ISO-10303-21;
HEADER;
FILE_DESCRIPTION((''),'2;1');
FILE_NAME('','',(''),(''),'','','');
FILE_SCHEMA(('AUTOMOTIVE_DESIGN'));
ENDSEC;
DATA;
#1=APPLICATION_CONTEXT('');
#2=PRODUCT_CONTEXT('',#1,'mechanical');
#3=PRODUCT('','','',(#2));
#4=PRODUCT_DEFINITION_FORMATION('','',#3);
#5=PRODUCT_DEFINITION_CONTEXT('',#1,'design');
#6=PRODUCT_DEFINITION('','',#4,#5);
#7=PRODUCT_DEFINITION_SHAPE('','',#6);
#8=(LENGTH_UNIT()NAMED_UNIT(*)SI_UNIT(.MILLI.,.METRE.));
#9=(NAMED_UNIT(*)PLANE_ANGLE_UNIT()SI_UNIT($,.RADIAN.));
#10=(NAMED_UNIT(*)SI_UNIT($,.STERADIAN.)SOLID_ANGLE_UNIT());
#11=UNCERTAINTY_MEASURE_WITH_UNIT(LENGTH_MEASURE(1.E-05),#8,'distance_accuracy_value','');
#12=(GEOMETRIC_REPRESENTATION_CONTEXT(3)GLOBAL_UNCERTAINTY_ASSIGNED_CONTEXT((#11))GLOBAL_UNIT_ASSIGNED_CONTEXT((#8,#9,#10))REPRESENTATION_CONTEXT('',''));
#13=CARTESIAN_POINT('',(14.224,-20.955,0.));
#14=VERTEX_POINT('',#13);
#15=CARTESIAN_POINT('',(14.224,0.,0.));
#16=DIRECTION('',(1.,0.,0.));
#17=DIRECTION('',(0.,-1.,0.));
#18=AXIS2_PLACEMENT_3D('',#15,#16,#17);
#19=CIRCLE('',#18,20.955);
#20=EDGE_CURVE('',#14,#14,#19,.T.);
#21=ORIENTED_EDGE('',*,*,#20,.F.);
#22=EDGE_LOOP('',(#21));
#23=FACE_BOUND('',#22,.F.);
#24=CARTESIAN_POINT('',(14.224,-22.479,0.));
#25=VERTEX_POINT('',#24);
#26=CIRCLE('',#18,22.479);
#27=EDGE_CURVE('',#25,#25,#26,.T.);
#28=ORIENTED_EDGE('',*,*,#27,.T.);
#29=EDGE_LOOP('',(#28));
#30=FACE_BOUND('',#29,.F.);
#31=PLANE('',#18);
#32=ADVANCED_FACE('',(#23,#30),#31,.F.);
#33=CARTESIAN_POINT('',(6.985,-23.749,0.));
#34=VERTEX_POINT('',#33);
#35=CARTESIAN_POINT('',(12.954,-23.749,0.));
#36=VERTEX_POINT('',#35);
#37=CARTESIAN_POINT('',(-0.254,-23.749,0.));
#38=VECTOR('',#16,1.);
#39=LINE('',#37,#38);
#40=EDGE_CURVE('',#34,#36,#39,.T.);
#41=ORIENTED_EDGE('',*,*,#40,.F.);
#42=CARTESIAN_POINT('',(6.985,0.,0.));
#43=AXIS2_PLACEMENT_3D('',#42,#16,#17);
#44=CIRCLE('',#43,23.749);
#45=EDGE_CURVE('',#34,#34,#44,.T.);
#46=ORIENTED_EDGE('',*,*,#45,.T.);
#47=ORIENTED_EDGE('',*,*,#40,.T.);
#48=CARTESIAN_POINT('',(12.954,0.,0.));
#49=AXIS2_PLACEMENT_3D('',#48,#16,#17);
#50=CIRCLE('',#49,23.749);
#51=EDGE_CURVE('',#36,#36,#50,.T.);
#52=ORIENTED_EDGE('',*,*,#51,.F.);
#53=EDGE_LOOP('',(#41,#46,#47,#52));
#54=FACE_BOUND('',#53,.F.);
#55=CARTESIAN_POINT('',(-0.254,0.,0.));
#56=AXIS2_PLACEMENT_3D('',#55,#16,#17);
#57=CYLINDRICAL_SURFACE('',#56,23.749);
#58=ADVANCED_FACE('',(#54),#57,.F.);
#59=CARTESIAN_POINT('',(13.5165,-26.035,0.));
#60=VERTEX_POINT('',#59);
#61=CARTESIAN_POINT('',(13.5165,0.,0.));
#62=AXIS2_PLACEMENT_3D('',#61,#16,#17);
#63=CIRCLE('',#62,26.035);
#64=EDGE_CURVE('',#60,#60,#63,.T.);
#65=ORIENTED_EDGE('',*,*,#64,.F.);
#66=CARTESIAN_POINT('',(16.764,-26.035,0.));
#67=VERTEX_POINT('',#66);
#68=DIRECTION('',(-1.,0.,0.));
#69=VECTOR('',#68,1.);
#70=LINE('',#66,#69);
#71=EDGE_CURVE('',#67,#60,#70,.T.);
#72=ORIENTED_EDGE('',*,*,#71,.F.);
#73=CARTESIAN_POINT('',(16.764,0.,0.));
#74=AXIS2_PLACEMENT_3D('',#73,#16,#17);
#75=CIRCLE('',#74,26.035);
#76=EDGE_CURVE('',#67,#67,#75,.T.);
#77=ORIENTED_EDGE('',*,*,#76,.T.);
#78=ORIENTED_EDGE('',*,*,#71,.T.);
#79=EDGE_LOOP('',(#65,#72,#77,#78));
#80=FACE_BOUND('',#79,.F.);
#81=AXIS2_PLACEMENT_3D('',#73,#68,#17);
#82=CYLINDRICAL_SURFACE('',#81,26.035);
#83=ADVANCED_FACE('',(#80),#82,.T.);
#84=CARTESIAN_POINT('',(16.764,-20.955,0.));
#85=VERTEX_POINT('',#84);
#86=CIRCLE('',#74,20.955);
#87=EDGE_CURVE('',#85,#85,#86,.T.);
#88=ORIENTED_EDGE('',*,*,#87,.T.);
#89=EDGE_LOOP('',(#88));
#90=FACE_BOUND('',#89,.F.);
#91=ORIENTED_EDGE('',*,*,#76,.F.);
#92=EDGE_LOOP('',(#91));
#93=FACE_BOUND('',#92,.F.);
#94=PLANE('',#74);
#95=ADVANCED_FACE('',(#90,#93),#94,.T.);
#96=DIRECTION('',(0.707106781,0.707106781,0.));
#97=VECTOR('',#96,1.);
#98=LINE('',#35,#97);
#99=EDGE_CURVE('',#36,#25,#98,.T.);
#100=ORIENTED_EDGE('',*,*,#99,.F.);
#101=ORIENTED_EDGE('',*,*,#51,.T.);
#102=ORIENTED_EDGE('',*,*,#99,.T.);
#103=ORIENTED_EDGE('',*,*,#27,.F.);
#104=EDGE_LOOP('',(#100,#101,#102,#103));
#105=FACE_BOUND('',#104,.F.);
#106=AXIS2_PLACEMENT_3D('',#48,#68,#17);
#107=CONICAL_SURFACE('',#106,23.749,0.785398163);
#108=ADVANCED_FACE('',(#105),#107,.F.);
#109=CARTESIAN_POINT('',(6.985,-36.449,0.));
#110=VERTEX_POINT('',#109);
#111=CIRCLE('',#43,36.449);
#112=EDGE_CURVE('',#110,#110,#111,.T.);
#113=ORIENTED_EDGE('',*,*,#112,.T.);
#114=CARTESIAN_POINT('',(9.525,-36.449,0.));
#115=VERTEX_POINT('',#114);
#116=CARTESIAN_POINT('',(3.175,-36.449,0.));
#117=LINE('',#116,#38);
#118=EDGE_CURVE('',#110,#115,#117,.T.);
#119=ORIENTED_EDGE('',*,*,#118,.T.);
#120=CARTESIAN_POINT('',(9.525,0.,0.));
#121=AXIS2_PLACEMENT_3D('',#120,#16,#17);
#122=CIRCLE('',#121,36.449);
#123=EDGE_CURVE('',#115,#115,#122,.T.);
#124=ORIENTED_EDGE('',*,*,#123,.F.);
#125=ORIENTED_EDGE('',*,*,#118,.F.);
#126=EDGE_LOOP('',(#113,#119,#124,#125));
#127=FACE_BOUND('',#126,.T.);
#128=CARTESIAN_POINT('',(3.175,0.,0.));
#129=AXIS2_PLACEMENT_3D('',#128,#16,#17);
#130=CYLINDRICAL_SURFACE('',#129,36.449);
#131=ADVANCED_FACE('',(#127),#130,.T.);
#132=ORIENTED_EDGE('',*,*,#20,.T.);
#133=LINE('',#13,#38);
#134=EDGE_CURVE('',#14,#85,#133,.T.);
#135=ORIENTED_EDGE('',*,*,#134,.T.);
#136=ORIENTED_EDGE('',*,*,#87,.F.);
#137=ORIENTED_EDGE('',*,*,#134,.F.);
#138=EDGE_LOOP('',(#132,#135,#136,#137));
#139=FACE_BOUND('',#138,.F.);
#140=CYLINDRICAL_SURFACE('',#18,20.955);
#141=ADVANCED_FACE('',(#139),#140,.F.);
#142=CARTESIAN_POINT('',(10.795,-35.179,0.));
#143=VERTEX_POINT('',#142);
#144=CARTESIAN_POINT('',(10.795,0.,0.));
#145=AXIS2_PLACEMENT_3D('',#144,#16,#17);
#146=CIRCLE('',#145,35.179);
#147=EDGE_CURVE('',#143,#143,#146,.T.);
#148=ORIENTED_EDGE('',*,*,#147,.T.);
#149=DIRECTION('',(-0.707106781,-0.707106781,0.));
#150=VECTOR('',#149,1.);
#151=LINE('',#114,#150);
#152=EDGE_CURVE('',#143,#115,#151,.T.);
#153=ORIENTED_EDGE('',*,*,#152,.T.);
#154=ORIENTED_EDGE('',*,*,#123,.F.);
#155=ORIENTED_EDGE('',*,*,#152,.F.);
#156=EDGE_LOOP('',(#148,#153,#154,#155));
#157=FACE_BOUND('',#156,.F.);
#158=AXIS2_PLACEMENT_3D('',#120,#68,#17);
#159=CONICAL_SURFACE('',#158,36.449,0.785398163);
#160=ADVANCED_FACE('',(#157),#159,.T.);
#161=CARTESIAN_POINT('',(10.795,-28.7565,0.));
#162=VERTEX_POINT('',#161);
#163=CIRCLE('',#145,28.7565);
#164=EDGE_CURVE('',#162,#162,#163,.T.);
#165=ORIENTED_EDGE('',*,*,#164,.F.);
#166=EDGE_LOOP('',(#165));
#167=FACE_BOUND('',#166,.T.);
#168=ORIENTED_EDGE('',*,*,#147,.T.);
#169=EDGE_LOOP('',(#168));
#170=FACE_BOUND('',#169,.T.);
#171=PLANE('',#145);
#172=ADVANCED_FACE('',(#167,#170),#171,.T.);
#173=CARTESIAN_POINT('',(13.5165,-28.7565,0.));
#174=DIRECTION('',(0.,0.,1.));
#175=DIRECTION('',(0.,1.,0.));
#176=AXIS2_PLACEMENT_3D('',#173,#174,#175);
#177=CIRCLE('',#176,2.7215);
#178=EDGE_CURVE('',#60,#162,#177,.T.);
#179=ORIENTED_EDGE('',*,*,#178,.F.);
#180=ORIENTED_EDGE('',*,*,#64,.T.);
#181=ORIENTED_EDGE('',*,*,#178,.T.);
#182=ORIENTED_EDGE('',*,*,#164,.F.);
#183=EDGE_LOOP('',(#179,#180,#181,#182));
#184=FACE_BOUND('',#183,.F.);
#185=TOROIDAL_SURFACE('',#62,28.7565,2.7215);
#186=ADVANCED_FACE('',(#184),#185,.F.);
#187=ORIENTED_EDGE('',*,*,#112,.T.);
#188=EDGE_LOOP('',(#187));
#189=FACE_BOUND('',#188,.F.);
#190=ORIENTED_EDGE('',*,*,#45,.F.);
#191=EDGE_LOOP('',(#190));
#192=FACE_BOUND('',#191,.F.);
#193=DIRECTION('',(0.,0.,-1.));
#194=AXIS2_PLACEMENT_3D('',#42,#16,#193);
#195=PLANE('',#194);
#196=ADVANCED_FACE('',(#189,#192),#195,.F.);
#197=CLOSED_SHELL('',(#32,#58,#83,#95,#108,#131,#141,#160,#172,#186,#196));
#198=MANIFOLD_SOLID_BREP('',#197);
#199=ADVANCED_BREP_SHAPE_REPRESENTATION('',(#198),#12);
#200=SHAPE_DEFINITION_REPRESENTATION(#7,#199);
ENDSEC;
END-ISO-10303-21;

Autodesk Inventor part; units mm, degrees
ref_plane "YZ Plane" through (0, 0, 0) normal (1, 0, 0) x (0, 1, 0)
ref_plane "XZ Plane" through (0, 0, 0) normal (0, 1, 0) x (-1, 0, 0)
sketch "Sketch1" plane through (0, 0, 0) normal (0, 0, 1) x (1, 0, 0)
  line L0 (0, -23.495) -> (13.97, -23.495)
  line L1 (0, 23.495) -> (0, -23.495) projected
  line L2 (13.97, -23.495) -> (13.97, 23.495) projected
  line L3 (2.54, -27.305) -> (-12.065, -27.305) projected
  line L4 (26.035, -27.305) -> (11.43, -27.305) projected
  line L5 (2.54, -31.115) -> (2.54, -27.305) projected
  line L6 (11.43, -27.305) -> (11.43, -31.115) projected
  line L7 (0, -31.115) -> (2.54, -31.115) projected
  line L8 (11.43, -31.115) -> (13.97, -31.115) projected
  line L9 (3.175, -36.449) -> (10.795, -36.449)
  line L10 (10.795, -36.449) -> (10.795, -28.7565)
  line L11 (3.175, -36.449) -> (3.175, -28.7565)
  line L12 (-2.794, -26.035) -> (0.4535, -26.035)
  line L13 (-0.254, -23.749) -> (14.224, -23.749)
  line L14 (14.224, -23.749) -> (14.224, -20.955)
  line L15 (14.224, -20.955) -> (16.764, -20.955)
  line L16 (16.764, -20.955) -> (16.764, -26.035)
  line L17 (16.764, -26.035) -> (13.5165, -26.035)
  arc A0 (3.175, -28.7565) -> (0.4535, -26.035) centre (0.4535, -28.7565) ccw
  arc A1 (13.5165, -26.035) -> (10.795, -28.7565) centre (13.5165, -28.7565) ccw
  line L18 (-19.685, 0) -> (33.655, 0) projected
  line L19 (-2.794, -26.035) -> (-2.794, -20.955)
  line L20 (-2.794, -20.955) -> (-0.254, -20.955)
  line L21 (-0.254, -20.955) -> (-0.254, -23.749)
  point P0 (0, 0)
  dimension "d0" = 0.635
  dimension "d1" = 0.635
  dimension "d2" = 7.62
  dimension "d3" = 0.254
  dimension "d4" = 0.254
  dimension "d5" = 2.54
  dimension "d6" = 2.54
  dimension "d7" = 1.27
  dimension "d9" = 12.7
  dimension "d10" = 2.5418
revolve "Revolution1" add sketch "Sketch1" angle 360 about axis through (-10, 0, 0) along (1, 0, 0) contours L11 A0 L12 L19 L20 L21 L13 L14 L15 L16 L17 A1 L10 L9
chamfer "Chamfer1" distance 1.27 angle 45 2 edges at (10.795, 36.449, 0) (3.175, 36.449, 0)
ref_plane "Work Plane1" through (6.985, 0, 0) normal (1, 0, 0) x (0, 0, -1)
sketch "Sketch2" plane through (6.985, 0, 0) normal (1, 0, 0) x (0, 0, -1)
  line L0 (58.906, -57.765) -> (-58.906, -57.765)
  line L1 (-58.906, -57.765) -> (-58.906, 57.765)
  line L2 (-58.906, 57.765) -> (58.906, 57.765)
  line L3 (58.906, 57.765) -> (58.906, -57.765)
  line L4 (58.906, -57.765) -> (-58.906, 57.765) construction
  line L5 (-58.906, -57.765) -> (58.906, 57.765) construction
  point P0 (0, 0)
extrude "Extrusion1" cut sketch "Sketch2" against normal through all
chamfer "Chamfer2" distance 1.27 angle 45 1 edges at (14.224, 23.749, 0)
equation "\"d1\" = d0"
equation "\"d4\" = d3"
properties part number "Big Bearing Cover"
